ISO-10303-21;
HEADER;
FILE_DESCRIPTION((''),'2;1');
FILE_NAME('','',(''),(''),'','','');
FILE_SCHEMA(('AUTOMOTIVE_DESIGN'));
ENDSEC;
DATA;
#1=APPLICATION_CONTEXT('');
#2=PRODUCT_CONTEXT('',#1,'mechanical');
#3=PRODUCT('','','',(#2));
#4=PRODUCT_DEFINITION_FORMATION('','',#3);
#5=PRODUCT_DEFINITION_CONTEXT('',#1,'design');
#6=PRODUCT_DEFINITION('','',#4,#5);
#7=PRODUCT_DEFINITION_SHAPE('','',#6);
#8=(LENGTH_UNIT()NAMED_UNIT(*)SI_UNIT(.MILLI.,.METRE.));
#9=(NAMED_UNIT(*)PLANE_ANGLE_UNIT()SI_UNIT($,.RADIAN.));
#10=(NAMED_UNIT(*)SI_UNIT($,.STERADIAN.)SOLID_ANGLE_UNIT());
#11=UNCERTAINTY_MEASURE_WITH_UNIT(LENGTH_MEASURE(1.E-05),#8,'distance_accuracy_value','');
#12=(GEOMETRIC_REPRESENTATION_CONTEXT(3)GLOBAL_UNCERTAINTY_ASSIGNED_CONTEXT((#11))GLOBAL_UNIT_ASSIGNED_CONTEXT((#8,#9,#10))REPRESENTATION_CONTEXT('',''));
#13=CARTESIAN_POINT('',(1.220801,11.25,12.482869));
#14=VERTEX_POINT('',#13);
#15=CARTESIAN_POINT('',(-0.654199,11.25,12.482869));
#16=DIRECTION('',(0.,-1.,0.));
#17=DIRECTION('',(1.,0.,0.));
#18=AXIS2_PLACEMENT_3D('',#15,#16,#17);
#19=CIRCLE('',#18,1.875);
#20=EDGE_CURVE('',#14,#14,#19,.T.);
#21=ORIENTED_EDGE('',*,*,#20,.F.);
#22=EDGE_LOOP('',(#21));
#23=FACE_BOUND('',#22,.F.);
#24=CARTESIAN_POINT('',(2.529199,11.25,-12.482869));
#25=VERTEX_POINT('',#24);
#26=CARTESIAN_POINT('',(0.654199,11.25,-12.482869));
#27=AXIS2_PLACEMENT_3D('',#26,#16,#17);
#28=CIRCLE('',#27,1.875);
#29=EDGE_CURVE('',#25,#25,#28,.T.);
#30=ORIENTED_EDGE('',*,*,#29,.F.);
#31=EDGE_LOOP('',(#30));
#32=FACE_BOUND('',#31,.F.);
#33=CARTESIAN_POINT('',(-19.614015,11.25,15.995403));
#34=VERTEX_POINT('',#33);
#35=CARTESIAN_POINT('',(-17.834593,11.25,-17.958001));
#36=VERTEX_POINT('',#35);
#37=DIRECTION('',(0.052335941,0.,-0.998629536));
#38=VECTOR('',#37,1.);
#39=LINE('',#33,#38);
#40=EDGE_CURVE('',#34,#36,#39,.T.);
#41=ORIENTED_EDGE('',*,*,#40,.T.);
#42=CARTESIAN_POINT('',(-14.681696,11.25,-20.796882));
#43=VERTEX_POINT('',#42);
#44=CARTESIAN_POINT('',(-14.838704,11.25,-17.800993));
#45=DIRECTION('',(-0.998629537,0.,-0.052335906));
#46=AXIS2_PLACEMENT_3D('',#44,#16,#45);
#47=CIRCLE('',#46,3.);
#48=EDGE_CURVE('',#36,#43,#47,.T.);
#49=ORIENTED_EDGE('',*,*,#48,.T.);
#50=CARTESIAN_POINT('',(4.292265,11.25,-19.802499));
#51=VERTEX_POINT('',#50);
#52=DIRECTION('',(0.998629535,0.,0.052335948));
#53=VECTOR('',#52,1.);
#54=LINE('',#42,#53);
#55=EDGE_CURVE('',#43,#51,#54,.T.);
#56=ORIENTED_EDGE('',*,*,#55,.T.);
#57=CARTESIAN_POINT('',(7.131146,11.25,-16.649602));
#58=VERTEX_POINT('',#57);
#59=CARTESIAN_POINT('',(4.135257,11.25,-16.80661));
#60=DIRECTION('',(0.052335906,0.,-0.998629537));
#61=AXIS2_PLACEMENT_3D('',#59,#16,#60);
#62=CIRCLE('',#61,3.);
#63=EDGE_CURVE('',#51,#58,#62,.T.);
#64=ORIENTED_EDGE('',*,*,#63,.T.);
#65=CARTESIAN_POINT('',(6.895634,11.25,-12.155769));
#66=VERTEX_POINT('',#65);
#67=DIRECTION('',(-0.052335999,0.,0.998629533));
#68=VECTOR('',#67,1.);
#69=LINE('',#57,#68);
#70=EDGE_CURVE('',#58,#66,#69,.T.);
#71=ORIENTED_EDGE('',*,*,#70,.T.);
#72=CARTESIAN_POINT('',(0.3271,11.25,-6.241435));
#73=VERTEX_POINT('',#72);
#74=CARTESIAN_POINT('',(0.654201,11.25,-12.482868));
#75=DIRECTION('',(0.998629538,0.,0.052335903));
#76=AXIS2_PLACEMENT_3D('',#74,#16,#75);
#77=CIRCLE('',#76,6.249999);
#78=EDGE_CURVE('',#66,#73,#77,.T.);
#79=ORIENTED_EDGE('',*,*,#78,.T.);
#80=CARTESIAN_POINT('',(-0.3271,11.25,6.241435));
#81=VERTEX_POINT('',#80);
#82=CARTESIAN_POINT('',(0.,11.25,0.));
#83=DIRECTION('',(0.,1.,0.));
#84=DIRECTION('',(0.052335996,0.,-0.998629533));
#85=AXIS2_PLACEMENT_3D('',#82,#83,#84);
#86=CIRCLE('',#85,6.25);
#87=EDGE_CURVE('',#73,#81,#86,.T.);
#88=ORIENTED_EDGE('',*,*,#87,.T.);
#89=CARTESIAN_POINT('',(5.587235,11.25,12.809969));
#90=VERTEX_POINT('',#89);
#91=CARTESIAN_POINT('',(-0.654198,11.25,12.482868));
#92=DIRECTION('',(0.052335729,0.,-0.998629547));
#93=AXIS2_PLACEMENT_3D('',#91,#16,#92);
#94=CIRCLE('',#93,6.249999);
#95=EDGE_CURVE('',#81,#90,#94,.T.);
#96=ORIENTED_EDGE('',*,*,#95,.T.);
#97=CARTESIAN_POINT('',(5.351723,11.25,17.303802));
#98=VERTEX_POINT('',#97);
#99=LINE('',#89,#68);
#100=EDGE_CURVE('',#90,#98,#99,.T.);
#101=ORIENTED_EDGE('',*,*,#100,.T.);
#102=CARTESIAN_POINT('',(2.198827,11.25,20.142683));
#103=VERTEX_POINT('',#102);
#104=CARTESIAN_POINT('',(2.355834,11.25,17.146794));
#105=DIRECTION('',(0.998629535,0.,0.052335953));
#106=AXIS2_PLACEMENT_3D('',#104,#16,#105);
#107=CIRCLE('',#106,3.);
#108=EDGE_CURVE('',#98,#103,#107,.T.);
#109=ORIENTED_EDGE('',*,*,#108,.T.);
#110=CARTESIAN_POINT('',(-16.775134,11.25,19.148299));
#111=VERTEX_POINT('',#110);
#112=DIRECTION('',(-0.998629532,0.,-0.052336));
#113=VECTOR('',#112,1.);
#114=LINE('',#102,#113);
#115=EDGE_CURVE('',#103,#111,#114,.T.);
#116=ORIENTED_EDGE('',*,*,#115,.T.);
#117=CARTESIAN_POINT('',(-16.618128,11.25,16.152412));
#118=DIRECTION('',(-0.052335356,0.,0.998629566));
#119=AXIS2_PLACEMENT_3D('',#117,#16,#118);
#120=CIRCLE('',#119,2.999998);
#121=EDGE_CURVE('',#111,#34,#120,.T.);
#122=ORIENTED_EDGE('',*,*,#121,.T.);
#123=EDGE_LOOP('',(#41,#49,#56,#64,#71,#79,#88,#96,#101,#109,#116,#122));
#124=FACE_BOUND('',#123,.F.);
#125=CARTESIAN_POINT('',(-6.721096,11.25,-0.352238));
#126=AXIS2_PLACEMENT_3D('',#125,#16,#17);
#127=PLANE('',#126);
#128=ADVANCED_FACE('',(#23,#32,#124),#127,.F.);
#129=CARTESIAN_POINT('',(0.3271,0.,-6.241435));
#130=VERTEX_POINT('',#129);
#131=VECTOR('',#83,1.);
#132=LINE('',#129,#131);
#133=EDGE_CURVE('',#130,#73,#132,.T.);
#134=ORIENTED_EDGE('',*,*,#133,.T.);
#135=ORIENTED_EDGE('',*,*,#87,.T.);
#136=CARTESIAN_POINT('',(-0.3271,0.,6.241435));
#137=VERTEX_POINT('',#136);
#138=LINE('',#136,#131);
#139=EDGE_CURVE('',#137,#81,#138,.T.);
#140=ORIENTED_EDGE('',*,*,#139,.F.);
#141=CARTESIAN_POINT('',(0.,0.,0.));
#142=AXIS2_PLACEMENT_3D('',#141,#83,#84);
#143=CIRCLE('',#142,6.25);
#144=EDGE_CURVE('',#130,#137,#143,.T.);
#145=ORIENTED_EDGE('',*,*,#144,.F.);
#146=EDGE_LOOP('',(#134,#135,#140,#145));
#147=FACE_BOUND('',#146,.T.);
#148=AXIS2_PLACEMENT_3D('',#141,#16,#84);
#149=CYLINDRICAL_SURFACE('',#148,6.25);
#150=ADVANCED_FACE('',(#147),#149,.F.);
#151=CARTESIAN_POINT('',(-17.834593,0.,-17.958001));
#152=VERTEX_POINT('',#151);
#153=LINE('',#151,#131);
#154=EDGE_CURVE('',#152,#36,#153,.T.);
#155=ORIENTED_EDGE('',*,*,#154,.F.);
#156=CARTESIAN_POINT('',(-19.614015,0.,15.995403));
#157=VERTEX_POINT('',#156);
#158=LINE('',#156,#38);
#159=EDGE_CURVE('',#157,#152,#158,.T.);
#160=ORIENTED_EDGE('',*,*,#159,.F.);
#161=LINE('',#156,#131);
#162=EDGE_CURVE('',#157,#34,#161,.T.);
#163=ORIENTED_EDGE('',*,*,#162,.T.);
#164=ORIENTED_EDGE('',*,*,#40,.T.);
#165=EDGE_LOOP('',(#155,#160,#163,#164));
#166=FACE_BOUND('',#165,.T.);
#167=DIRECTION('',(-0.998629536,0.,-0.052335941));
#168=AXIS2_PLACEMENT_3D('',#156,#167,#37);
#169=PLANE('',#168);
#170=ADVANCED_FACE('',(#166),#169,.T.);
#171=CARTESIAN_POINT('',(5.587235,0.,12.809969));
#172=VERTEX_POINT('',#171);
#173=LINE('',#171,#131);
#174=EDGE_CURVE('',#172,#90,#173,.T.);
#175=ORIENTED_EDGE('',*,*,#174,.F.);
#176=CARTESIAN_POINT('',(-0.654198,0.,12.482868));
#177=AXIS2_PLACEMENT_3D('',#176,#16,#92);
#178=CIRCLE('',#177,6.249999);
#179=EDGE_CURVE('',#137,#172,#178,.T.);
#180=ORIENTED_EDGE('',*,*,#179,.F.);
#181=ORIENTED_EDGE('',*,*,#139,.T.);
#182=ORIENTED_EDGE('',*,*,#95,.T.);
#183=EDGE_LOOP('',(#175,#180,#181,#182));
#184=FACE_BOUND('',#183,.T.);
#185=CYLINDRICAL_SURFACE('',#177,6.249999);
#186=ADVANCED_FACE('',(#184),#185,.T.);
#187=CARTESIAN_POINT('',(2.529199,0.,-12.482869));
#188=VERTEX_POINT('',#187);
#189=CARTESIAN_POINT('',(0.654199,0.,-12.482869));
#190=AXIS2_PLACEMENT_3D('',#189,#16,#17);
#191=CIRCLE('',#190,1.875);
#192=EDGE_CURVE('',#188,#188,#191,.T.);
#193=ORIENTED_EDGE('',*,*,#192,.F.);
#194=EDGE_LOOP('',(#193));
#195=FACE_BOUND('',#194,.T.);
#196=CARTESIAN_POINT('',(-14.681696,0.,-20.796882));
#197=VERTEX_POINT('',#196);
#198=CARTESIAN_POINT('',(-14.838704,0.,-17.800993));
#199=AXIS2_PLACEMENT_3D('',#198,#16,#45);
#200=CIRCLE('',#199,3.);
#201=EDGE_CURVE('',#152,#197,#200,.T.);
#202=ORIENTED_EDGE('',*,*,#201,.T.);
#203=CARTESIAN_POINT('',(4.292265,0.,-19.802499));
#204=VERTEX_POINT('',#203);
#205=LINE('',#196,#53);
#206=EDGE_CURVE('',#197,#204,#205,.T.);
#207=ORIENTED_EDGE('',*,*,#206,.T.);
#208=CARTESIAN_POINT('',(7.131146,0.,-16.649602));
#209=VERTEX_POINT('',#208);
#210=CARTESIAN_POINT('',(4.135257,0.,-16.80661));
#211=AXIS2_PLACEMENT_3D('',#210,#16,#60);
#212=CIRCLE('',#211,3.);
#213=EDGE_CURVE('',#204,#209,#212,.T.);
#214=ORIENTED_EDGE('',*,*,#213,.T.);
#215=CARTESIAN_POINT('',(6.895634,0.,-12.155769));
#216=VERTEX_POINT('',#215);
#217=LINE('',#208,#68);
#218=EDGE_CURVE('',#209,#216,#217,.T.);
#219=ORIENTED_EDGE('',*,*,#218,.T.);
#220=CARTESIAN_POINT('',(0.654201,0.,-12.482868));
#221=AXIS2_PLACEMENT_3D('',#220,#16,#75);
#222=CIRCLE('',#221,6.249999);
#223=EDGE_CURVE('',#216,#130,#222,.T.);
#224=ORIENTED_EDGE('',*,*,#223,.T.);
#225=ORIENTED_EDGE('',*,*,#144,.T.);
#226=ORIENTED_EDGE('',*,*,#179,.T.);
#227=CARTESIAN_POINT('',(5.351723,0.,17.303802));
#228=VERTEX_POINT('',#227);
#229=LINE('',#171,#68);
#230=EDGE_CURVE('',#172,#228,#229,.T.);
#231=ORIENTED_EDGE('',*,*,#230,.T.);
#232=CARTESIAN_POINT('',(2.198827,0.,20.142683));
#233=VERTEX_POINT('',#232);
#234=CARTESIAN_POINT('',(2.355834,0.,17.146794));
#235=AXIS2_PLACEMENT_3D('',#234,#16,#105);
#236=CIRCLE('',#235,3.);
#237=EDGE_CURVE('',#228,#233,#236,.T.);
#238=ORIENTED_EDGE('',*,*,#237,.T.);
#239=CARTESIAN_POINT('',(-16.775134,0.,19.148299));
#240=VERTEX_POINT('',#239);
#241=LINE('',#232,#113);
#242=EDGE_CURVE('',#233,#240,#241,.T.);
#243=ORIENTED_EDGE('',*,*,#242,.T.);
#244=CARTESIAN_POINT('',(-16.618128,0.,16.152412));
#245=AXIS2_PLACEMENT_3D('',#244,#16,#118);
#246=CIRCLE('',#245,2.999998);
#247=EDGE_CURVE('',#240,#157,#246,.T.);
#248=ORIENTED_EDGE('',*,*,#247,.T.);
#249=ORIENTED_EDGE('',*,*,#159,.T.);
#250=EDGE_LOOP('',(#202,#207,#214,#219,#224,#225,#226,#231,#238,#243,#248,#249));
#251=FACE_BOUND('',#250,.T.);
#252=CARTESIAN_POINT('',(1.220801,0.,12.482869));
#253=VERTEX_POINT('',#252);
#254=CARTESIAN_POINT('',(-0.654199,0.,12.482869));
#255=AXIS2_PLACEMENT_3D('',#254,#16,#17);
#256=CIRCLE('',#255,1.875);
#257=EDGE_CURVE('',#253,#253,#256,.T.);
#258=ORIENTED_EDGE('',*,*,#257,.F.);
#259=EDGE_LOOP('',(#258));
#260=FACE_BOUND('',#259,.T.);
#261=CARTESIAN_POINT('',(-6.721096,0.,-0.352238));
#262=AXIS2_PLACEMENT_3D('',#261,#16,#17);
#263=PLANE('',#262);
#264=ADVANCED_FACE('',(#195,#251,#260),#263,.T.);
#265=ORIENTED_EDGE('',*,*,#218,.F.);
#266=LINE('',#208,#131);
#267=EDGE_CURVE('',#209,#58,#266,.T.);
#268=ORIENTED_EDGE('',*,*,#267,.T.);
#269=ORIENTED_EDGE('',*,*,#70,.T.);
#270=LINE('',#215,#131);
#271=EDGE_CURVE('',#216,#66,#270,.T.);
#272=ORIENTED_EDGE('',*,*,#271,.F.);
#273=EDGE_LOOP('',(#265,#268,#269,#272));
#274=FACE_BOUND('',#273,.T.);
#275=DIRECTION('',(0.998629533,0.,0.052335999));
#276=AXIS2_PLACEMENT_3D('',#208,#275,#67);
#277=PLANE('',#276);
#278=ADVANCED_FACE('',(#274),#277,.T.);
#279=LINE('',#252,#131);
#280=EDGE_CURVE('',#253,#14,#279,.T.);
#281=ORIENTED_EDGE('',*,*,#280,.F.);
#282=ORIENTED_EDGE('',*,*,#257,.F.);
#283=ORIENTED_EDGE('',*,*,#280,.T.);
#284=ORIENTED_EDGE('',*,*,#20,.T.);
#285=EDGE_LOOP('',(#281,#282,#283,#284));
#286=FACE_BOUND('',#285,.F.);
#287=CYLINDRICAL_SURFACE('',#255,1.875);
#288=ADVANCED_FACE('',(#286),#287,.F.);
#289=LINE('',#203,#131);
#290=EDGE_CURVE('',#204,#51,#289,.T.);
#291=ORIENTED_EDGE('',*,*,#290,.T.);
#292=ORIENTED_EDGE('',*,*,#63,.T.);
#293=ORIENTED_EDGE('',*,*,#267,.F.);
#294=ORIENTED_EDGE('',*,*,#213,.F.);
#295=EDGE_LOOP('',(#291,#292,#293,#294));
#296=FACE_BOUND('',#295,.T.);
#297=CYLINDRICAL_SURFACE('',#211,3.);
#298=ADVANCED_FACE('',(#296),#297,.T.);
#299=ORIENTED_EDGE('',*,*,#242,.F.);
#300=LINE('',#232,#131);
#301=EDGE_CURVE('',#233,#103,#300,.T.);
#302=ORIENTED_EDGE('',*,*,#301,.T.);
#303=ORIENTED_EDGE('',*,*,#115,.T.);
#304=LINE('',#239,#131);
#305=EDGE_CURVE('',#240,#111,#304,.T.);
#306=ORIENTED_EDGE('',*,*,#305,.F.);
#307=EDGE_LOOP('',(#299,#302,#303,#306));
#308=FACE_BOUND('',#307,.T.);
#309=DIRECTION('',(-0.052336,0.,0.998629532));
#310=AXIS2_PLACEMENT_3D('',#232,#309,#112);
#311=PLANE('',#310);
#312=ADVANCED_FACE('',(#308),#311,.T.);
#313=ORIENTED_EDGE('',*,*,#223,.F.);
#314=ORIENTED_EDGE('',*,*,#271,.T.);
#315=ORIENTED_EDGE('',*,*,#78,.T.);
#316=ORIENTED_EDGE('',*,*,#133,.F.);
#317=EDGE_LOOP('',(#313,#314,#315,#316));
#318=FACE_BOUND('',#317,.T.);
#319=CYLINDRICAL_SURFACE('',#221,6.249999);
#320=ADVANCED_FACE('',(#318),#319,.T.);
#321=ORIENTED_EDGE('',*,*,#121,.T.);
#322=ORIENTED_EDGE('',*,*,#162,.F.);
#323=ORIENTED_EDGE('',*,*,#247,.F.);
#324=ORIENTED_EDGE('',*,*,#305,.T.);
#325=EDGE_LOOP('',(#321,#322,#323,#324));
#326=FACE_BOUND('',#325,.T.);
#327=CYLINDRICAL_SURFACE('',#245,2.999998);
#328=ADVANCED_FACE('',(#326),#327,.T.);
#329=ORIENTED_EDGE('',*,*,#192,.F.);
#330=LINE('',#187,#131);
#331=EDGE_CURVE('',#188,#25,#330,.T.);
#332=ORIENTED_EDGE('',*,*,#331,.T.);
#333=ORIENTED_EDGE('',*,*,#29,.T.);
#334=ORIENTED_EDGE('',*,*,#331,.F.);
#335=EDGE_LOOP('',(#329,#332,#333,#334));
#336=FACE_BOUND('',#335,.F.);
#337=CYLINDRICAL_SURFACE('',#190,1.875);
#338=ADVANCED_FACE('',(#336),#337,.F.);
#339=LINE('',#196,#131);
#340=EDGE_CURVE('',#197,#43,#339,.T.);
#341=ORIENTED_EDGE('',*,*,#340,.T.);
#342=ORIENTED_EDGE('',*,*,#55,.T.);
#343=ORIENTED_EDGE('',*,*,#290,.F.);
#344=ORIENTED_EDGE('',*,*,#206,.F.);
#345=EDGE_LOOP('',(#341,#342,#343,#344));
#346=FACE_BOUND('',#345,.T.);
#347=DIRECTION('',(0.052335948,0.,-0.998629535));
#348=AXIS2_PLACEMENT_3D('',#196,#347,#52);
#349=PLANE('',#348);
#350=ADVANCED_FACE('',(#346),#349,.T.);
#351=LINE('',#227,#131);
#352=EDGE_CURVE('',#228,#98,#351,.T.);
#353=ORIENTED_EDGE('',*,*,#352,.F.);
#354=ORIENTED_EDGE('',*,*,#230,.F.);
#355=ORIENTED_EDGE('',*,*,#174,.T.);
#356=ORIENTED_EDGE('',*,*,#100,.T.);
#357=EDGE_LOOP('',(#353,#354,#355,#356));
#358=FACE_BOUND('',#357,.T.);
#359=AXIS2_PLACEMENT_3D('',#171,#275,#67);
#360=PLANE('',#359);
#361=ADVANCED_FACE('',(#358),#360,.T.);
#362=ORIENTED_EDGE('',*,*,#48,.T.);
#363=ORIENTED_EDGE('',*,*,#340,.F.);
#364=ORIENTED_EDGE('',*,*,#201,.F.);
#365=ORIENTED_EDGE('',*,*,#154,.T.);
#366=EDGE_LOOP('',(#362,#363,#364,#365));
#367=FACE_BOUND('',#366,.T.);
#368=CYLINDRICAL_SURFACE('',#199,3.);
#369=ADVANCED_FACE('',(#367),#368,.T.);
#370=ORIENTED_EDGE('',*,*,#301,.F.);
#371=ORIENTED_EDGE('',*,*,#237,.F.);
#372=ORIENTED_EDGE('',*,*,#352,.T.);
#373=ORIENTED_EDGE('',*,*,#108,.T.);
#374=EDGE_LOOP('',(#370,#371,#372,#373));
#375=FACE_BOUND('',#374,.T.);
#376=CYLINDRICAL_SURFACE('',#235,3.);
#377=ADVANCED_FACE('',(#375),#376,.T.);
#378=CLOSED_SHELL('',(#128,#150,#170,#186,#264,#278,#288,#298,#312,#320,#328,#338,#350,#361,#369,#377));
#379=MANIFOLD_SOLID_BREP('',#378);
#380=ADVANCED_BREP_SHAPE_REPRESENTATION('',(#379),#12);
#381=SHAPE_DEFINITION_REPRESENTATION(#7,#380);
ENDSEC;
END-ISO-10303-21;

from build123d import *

# Parameters (mm, degrees)
F0_R     = 1.875
F1_DEPTH = 11.25


with BuildPart() as f1:
    # F0 (on Front) → F1 (new body)
    with BuildSketch(Plane.XZ):
        with BuildLine():
            ThreePointArc((-0.3271, 6.241435), (3.990456, 8.300803), (5.587235, 12.809969))
            Line((5.587235, 12.809969), (5.351723, 17.303802))
            ThreePointArc((5.351723, 17.303802), (4.363227, 19.376228), (2.198827, 20.142683))
            Line((2.198827, 20.142683), (-16.775134, 19.148299))
            ThreePointArc((-16.775134, 19.148299), (-18.847561, 18.159803), (-19.614015, 15.995403))
            Line((-19.614015, 15.995403), (-18.724304, -0.981299))
            Line((-18.724304, -0.981299), (-17.834593, -17.958001))
            ThreePointArc((-17.834593, -17.958001), (-16.846096, -20.030428), (-14.681696, -20.796882))
            Line((-14.681696, -20.796882), (4.292265, -19.802499))
            ThreePointArc((4.292265, -19.802499), (6.364692, -18.814002), (7.131146, -16.649602))
            Line((7.131146, -16.649602), (6.895634, -12.155769))
            ThreePointArc((6.895634, -12.155769), (4.836266, -7.838214), (0.3271, -6.241435))
            ThreePointArc((0.3271, -6.241435), (-6.241435, -0.3271), (-0.3271, 6.241435))
        make_face()
        with Locations((0.654199, -12.482869)):
            Circle(F0_R, mode=Mode.SUBTRACT)
        with Locations((-0.654199, 12.482869)):
            Circle(F0_R, mode=Mode.SUBTRACT)
    extrude(amount=-F1_DEPTH)


solid = f1.part
